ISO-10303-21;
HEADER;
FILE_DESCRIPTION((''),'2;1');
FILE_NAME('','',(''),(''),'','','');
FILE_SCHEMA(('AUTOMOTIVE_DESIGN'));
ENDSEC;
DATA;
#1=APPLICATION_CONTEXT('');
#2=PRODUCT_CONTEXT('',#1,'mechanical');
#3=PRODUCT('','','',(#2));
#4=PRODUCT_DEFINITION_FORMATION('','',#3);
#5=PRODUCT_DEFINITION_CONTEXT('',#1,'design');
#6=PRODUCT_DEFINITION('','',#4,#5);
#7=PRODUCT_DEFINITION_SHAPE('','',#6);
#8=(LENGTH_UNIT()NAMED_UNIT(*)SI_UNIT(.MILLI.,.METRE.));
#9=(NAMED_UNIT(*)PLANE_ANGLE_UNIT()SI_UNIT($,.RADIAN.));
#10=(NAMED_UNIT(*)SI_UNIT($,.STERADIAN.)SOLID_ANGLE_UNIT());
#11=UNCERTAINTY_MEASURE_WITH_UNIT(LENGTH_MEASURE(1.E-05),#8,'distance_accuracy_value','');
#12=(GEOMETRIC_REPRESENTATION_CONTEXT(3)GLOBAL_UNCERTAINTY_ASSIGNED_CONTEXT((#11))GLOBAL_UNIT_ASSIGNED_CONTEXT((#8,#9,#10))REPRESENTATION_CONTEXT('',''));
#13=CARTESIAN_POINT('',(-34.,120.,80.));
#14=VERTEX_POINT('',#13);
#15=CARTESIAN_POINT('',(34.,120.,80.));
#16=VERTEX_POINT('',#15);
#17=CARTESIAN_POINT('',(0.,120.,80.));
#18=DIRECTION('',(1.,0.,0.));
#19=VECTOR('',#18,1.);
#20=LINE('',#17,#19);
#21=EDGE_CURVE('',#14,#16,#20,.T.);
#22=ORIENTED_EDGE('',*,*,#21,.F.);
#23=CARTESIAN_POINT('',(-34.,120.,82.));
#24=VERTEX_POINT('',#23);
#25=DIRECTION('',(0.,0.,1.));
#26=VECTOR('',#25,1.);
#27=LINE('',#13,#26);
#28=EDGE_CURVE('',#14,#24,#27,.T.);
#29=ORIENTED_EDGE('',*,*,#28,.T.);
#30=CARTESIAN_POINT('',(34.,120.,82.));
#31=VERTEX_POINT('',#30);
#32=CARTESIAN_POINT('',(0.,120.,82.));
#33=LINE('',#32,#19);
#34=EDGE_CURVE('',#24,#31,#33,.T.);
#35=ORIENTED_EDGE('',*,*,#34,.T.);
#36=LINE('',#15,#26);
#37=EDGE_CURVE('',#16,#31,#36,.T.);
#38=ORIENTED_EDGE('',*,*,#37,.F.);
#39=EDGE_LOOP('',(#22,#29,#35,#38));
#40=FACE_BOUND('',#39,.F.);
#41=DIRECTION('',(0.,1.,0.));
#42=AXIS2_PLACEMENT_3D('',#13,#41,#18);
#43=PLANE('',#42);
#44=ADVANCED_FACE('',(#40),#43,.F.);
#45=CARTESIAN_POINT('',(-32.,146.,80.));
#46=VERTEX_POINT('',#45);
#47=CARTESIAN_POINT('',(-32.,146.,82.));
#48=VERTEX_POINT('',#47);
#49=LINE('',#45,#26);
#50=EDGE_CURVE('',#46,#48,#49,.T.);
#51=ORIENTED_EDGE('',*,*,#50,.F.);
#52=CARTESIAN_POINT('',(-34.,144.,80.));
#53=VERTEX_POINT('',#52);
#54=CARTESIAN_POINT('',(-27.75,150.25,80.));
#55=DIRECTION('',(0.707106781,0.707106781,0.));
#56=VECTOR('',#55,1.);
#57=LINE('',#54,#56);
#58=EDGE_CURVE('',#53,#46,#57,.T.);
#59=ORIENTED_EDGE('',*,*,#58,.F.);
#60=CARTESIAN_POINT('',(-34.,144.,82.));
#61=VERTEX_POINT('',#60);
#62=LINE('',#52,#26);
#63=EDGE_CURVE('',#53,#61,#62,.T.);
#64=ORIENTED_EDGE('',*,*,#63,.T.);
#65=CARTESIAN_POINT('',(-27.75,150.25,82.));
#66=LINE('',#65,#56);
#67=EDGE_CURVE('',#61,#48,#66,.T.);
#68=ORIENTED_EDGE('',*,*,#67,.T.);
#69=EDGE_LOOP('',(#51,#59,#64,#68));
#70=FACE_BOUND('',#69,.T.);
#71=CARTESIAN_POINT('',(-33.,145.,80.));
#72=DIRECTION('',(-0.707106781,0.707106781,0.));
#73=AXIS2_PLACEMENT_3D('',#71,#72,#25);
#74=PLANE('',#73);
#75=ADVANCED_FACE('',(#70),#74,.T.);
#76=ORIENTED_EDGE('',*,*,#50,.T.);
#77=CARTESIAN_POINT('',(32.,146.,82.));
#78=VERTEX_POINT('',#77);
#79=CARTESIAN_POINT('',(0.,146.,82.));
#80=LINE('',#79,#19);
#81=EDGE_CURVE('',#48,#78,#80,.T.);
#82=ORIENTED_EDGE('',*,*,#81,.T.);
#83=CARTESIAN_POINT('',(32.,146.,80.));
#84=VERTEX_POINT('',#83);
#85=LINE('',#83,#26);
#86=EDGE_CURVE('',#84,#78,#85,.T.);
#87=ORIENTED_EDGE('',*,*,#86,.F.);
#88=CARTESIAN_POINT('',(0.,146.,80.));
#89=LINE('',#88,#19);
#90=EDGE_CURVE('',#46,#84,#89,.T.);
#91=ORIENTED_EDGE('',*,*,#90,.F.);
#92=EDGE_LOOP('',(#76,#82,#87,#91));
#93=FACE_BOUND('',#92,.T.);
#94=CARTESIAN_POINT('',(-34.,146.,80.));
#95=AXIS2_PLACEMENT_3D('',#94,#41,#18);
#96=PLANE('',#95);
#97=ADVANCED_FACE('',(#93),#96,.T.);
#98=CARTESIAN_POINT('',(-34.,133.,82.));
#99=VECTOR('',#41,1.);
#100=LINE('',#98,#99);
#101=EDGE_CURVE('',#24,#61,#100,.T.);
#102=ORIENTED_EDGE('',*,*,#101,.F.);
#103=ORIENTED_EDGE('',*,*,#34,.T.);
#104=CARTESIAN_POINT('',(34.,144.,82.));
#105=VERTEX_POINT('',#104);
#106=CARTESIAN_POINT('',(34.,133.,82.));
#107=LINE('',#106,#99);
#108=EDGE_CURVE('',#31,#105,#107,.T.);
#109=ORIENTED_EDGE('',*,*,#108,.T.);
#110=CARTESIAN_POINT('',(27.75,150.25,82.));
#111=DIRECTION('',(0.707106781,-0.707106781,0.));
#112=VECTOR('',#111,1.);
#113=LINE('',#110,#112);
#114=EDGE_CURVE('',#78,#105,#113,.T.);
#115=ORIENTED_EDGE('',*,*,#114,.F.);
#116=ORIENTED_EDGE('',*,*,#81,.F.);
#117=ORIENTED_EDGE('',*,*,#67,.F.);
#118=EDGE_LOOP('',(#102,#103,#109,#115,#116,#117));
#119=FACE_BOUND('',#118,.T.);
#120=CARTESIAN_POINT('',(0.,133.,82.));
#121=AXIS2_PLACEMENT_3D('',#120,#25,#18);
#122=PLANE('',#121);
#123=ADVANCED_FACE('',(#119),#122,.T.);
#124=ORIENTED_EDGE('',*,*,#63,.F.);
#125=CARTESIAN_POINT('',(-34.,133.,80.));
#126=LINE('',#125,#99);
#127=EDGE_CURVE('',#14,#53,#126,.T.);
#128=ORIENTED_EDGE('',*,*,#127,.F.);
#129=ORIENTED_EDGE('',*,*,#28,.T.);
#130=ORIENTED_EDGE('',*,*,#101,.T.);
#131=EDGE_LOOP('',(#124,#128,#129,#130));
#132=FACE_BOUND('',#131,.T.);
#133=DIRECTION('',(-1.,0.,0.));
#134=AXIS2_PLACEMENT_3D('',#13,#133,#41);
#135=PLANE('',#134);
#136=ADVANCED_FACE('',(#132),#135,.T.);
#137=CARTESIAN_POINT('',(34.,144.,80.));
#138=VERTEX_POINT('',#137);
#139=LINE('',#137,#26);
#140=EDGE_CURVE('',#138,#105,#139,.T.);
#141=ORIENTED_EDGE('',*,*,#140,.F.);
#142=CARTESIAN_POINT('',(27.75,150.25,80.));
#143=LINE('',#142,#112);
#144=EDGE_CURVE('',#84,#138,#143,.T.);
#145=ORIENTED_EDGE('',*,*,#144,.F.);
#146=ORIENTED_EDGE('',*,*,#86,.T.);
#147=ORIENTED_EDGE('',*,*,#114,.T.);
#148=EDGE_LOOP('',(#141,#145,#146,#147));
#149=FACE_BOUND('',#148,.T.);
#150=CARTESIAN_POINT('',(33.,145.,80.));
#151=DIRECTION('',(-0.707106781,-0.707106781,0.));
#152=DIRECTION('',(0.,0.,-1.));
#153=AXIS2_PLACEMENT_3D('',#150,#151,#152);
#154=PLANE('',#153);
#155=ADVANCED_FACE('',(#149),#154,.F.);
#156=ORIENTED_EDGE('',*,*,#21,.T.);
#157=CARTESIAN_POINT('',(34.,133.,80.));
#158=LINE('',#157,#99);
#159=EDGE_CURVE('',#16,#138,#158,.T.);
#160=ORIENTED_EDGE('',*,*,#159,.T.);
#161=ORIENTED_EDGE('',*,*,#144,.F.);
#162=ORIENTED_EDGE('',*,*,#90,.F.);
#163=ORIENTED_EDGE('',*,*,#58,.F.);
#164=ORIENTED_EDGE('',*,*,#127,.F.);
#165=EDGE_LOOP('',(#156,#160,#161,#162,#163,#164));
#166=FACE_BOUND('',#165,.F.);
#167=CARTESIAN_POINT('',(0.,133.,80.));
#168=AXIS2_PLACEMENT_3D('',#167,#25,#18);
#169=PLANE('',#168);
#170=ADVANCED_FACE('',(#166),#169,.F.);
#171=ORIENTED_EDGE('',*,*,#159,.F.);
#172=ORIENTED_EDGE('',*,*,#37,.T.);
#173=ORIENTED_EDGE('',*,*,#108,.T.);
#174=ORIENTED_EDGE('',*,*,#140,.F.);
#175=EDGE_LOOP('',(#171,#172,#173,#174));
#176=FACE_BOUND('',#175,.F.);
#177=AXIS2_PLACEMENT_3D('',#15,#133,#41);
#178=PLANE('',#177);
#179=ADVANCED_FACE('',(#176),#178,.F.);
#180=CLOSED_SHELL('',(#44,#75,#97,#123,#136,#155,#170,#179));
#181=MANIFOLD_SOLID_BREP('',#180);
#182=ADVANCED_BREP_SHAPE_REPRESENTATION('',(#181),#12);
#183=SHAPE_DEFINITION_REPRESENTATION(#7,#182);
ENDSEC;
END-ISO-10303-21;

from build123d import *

# Parameters (mm, degrees)
BOX313_W        = 68
BOX313_H        = 26
BOX313_DEPTH    = 2
CHAMFER004_SIZE = 2
CHAMFER005_SIZE = 2


with BuildPart() as part:
    # Box313 → Box313 (new body)
    with BuildSketch(Plane(origin=(-34, 120, 80), x_dir=(1, 0, 0), z_dir=(0, 0, 1))):
        with Locations((34, 13)):
            Rectangle(BOX313_W, BOX313_H)
    extrude(amount=BOX313_DEPTH)

    # Chamfer004
    chamfer004_edges = [part.edges().sort_by_distance(p)[0] for p in [
        (-34, 146, 81),
    ]]
    chamfer(chamfer004_edges, length=CHAMFER004_SIZE)

    # Chamfer005
    chamfer005_edges = [part.edges().sort_by_distance(p)[0] for p in [
        (34, 146, 81),
    ]]
    chamfer(chamfer005_edges, length=CHAMFER005_SIZE)


solid = part.part
